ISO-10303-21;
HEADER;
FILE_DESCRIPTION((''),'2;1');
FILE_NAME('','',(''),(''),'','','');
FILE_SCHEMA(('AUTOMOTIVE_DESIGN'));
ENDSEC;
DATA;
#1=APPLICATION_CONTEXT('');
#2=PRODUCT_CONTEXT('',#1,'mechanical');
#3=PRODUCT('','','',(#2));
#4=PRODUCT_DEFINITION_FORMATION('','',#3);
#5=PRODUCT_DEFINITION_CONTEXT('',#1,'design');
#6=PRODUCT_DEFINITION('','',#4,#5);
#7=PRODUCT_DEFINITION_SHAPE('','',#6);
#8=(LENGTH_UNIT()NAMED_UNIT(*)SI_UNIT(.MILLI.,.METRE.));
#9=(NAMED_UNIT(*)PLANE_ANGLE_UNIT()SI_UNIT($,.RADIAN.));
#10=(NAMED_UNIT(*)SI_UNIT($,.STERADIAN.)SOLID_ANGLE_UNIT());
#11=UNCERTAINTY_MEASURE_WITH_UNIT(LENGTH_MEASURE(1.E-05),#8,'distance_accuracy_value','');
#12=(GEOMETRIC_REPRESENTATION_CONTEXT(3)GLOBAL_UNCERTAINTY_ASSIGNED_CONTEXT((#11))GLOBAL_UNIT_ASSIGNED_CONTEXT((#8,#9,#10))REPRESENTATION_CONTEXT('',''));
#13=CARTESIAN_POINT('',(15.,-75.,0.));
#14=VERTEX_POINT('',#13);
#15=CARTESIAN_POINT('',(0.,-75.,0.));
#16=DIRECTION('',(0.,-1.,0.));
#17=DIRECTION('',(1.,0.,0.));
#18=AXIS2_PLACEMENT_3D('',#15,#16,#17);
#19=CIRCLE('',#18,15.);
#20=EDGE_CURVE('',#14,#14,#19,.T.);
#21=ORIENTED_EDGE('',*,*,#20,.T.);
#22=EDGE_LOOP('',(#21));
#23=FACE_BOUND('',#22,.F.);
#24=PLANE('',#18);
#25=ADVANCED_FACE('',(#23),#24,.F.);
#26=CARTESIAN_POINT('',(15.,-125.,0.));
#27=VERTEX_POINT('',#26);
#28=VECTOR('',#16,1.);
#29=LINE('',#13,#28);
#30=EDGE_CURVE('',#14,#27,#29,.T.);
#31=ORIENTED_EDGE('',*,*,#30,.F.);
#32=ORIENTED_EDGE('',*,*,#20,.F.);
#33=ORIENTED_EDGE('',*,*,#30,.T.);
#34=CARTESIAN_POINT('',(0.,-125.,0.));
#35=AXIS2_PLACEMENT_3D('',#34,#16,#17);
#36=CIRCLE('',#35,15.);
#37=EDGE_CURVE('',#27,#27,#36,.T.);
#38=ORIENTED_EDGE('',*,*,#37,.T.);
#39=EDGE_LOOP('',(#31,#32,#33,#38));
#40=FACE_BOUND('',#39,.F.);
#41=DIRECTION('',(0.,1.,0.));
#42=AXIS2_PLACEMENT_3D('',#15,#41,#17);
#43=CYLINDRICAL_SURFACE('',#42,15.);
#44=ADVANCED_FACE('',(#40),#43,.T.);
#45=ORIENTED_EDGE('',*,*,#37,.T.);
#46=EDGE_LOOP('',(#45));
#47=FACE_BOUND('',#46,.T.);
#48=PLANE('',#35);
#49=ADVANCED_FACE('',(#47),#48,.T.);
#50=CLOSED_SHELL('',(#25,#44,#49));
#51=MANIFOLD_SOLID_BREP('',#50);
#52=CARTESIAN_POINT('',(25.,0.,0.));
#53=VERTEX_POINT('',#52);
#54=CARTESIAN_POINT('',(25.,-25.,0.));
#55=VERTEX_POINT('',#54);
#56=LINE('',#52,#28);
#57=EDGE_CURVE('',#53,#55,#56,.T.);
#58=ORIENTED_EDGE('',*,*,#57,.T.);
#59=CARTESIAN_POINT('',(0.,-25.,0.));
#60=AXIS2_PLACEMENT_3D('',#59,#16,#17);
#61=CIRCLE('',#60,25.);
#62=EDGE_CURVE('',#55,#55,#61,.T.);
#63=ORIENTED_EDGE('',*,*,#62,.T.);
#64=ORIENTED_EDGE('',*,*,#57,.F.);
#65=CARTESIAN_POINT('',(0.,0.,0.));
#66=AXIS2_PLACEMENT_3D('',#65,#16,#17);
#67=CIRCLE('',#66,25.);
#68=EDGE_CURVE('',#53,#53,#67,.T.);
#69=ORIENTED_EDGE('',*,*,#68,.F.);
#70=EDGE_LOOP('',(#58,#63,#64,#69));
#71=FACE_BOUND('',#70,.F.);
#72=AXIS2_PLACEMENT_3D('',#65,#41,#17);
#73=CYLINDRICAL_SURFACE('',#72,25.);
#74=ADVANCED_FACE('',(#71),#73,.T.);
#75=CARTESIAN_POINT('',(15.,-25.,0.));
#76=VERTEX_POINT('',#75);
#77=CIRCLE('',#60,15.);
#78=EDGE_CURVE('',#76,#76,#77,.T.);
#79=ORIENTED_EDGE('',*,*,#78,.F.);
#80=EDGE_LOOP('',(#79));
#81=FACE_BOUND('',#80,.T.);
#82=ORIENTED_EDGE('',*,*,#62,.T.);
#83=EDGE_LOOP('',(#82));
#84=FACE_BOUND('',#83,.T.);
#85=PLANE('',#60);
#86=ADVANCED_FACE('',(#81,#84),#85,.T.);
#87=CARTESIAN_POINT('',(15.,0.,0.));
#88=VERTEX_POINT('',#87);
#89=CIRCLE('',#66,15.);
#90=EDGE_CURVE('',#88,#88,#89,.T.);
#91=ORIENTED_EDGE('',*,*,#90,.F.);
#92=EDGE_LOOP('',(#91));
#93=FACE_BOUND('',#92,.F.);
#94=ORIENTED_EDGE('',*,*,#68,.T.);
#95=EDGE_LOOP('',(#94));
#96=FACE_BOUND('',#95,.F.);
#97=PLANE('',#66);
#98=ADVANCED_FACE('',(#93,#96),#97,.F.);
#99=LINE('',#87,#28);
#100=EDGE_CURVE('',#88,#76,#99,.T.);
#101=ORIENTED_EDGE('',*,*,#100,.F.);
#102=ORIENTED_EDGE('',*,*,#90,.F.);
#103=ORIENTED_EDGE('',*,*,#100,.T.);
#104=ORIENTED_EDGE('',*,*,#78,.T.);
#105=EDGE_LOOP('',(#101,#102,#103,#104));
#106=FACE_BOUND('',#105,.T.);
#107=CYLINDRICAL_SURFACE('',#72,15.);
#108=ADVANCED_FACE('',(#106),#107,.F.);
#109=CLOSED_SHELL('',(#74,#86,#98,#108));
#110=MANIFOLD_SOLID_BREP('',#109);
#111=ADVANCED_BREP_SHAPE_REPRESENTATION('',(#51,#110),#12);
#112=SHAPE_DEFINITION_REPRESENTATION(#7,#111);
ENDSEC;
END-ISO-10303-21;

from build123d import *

# Parameters (mm, degrees)
F0_R     = 25
F0_R_2   = 15
F1_DEPTH = 25
F3_R     = 15
F4_DEPTH = 50


with BuildPart() as f1:
    # F0 (on Front) → F1 (new body)
    with BuildSketch(Plane.XZ):
        Circle(F0_R)
        Circle(F0_R_2, mode=Mode.SUBTRACT)
    extrude(amount=F1_DEPTH)


with BuildPart() as f4:
    # F3 (on offset) → F4 (new body)
    with BuildSketch(Plane.XZ.offset(75)):
        Circle(F3_R)
    extrude(amount=F4_DEPTH)


solid = Compound([f1.part, f4.part])
